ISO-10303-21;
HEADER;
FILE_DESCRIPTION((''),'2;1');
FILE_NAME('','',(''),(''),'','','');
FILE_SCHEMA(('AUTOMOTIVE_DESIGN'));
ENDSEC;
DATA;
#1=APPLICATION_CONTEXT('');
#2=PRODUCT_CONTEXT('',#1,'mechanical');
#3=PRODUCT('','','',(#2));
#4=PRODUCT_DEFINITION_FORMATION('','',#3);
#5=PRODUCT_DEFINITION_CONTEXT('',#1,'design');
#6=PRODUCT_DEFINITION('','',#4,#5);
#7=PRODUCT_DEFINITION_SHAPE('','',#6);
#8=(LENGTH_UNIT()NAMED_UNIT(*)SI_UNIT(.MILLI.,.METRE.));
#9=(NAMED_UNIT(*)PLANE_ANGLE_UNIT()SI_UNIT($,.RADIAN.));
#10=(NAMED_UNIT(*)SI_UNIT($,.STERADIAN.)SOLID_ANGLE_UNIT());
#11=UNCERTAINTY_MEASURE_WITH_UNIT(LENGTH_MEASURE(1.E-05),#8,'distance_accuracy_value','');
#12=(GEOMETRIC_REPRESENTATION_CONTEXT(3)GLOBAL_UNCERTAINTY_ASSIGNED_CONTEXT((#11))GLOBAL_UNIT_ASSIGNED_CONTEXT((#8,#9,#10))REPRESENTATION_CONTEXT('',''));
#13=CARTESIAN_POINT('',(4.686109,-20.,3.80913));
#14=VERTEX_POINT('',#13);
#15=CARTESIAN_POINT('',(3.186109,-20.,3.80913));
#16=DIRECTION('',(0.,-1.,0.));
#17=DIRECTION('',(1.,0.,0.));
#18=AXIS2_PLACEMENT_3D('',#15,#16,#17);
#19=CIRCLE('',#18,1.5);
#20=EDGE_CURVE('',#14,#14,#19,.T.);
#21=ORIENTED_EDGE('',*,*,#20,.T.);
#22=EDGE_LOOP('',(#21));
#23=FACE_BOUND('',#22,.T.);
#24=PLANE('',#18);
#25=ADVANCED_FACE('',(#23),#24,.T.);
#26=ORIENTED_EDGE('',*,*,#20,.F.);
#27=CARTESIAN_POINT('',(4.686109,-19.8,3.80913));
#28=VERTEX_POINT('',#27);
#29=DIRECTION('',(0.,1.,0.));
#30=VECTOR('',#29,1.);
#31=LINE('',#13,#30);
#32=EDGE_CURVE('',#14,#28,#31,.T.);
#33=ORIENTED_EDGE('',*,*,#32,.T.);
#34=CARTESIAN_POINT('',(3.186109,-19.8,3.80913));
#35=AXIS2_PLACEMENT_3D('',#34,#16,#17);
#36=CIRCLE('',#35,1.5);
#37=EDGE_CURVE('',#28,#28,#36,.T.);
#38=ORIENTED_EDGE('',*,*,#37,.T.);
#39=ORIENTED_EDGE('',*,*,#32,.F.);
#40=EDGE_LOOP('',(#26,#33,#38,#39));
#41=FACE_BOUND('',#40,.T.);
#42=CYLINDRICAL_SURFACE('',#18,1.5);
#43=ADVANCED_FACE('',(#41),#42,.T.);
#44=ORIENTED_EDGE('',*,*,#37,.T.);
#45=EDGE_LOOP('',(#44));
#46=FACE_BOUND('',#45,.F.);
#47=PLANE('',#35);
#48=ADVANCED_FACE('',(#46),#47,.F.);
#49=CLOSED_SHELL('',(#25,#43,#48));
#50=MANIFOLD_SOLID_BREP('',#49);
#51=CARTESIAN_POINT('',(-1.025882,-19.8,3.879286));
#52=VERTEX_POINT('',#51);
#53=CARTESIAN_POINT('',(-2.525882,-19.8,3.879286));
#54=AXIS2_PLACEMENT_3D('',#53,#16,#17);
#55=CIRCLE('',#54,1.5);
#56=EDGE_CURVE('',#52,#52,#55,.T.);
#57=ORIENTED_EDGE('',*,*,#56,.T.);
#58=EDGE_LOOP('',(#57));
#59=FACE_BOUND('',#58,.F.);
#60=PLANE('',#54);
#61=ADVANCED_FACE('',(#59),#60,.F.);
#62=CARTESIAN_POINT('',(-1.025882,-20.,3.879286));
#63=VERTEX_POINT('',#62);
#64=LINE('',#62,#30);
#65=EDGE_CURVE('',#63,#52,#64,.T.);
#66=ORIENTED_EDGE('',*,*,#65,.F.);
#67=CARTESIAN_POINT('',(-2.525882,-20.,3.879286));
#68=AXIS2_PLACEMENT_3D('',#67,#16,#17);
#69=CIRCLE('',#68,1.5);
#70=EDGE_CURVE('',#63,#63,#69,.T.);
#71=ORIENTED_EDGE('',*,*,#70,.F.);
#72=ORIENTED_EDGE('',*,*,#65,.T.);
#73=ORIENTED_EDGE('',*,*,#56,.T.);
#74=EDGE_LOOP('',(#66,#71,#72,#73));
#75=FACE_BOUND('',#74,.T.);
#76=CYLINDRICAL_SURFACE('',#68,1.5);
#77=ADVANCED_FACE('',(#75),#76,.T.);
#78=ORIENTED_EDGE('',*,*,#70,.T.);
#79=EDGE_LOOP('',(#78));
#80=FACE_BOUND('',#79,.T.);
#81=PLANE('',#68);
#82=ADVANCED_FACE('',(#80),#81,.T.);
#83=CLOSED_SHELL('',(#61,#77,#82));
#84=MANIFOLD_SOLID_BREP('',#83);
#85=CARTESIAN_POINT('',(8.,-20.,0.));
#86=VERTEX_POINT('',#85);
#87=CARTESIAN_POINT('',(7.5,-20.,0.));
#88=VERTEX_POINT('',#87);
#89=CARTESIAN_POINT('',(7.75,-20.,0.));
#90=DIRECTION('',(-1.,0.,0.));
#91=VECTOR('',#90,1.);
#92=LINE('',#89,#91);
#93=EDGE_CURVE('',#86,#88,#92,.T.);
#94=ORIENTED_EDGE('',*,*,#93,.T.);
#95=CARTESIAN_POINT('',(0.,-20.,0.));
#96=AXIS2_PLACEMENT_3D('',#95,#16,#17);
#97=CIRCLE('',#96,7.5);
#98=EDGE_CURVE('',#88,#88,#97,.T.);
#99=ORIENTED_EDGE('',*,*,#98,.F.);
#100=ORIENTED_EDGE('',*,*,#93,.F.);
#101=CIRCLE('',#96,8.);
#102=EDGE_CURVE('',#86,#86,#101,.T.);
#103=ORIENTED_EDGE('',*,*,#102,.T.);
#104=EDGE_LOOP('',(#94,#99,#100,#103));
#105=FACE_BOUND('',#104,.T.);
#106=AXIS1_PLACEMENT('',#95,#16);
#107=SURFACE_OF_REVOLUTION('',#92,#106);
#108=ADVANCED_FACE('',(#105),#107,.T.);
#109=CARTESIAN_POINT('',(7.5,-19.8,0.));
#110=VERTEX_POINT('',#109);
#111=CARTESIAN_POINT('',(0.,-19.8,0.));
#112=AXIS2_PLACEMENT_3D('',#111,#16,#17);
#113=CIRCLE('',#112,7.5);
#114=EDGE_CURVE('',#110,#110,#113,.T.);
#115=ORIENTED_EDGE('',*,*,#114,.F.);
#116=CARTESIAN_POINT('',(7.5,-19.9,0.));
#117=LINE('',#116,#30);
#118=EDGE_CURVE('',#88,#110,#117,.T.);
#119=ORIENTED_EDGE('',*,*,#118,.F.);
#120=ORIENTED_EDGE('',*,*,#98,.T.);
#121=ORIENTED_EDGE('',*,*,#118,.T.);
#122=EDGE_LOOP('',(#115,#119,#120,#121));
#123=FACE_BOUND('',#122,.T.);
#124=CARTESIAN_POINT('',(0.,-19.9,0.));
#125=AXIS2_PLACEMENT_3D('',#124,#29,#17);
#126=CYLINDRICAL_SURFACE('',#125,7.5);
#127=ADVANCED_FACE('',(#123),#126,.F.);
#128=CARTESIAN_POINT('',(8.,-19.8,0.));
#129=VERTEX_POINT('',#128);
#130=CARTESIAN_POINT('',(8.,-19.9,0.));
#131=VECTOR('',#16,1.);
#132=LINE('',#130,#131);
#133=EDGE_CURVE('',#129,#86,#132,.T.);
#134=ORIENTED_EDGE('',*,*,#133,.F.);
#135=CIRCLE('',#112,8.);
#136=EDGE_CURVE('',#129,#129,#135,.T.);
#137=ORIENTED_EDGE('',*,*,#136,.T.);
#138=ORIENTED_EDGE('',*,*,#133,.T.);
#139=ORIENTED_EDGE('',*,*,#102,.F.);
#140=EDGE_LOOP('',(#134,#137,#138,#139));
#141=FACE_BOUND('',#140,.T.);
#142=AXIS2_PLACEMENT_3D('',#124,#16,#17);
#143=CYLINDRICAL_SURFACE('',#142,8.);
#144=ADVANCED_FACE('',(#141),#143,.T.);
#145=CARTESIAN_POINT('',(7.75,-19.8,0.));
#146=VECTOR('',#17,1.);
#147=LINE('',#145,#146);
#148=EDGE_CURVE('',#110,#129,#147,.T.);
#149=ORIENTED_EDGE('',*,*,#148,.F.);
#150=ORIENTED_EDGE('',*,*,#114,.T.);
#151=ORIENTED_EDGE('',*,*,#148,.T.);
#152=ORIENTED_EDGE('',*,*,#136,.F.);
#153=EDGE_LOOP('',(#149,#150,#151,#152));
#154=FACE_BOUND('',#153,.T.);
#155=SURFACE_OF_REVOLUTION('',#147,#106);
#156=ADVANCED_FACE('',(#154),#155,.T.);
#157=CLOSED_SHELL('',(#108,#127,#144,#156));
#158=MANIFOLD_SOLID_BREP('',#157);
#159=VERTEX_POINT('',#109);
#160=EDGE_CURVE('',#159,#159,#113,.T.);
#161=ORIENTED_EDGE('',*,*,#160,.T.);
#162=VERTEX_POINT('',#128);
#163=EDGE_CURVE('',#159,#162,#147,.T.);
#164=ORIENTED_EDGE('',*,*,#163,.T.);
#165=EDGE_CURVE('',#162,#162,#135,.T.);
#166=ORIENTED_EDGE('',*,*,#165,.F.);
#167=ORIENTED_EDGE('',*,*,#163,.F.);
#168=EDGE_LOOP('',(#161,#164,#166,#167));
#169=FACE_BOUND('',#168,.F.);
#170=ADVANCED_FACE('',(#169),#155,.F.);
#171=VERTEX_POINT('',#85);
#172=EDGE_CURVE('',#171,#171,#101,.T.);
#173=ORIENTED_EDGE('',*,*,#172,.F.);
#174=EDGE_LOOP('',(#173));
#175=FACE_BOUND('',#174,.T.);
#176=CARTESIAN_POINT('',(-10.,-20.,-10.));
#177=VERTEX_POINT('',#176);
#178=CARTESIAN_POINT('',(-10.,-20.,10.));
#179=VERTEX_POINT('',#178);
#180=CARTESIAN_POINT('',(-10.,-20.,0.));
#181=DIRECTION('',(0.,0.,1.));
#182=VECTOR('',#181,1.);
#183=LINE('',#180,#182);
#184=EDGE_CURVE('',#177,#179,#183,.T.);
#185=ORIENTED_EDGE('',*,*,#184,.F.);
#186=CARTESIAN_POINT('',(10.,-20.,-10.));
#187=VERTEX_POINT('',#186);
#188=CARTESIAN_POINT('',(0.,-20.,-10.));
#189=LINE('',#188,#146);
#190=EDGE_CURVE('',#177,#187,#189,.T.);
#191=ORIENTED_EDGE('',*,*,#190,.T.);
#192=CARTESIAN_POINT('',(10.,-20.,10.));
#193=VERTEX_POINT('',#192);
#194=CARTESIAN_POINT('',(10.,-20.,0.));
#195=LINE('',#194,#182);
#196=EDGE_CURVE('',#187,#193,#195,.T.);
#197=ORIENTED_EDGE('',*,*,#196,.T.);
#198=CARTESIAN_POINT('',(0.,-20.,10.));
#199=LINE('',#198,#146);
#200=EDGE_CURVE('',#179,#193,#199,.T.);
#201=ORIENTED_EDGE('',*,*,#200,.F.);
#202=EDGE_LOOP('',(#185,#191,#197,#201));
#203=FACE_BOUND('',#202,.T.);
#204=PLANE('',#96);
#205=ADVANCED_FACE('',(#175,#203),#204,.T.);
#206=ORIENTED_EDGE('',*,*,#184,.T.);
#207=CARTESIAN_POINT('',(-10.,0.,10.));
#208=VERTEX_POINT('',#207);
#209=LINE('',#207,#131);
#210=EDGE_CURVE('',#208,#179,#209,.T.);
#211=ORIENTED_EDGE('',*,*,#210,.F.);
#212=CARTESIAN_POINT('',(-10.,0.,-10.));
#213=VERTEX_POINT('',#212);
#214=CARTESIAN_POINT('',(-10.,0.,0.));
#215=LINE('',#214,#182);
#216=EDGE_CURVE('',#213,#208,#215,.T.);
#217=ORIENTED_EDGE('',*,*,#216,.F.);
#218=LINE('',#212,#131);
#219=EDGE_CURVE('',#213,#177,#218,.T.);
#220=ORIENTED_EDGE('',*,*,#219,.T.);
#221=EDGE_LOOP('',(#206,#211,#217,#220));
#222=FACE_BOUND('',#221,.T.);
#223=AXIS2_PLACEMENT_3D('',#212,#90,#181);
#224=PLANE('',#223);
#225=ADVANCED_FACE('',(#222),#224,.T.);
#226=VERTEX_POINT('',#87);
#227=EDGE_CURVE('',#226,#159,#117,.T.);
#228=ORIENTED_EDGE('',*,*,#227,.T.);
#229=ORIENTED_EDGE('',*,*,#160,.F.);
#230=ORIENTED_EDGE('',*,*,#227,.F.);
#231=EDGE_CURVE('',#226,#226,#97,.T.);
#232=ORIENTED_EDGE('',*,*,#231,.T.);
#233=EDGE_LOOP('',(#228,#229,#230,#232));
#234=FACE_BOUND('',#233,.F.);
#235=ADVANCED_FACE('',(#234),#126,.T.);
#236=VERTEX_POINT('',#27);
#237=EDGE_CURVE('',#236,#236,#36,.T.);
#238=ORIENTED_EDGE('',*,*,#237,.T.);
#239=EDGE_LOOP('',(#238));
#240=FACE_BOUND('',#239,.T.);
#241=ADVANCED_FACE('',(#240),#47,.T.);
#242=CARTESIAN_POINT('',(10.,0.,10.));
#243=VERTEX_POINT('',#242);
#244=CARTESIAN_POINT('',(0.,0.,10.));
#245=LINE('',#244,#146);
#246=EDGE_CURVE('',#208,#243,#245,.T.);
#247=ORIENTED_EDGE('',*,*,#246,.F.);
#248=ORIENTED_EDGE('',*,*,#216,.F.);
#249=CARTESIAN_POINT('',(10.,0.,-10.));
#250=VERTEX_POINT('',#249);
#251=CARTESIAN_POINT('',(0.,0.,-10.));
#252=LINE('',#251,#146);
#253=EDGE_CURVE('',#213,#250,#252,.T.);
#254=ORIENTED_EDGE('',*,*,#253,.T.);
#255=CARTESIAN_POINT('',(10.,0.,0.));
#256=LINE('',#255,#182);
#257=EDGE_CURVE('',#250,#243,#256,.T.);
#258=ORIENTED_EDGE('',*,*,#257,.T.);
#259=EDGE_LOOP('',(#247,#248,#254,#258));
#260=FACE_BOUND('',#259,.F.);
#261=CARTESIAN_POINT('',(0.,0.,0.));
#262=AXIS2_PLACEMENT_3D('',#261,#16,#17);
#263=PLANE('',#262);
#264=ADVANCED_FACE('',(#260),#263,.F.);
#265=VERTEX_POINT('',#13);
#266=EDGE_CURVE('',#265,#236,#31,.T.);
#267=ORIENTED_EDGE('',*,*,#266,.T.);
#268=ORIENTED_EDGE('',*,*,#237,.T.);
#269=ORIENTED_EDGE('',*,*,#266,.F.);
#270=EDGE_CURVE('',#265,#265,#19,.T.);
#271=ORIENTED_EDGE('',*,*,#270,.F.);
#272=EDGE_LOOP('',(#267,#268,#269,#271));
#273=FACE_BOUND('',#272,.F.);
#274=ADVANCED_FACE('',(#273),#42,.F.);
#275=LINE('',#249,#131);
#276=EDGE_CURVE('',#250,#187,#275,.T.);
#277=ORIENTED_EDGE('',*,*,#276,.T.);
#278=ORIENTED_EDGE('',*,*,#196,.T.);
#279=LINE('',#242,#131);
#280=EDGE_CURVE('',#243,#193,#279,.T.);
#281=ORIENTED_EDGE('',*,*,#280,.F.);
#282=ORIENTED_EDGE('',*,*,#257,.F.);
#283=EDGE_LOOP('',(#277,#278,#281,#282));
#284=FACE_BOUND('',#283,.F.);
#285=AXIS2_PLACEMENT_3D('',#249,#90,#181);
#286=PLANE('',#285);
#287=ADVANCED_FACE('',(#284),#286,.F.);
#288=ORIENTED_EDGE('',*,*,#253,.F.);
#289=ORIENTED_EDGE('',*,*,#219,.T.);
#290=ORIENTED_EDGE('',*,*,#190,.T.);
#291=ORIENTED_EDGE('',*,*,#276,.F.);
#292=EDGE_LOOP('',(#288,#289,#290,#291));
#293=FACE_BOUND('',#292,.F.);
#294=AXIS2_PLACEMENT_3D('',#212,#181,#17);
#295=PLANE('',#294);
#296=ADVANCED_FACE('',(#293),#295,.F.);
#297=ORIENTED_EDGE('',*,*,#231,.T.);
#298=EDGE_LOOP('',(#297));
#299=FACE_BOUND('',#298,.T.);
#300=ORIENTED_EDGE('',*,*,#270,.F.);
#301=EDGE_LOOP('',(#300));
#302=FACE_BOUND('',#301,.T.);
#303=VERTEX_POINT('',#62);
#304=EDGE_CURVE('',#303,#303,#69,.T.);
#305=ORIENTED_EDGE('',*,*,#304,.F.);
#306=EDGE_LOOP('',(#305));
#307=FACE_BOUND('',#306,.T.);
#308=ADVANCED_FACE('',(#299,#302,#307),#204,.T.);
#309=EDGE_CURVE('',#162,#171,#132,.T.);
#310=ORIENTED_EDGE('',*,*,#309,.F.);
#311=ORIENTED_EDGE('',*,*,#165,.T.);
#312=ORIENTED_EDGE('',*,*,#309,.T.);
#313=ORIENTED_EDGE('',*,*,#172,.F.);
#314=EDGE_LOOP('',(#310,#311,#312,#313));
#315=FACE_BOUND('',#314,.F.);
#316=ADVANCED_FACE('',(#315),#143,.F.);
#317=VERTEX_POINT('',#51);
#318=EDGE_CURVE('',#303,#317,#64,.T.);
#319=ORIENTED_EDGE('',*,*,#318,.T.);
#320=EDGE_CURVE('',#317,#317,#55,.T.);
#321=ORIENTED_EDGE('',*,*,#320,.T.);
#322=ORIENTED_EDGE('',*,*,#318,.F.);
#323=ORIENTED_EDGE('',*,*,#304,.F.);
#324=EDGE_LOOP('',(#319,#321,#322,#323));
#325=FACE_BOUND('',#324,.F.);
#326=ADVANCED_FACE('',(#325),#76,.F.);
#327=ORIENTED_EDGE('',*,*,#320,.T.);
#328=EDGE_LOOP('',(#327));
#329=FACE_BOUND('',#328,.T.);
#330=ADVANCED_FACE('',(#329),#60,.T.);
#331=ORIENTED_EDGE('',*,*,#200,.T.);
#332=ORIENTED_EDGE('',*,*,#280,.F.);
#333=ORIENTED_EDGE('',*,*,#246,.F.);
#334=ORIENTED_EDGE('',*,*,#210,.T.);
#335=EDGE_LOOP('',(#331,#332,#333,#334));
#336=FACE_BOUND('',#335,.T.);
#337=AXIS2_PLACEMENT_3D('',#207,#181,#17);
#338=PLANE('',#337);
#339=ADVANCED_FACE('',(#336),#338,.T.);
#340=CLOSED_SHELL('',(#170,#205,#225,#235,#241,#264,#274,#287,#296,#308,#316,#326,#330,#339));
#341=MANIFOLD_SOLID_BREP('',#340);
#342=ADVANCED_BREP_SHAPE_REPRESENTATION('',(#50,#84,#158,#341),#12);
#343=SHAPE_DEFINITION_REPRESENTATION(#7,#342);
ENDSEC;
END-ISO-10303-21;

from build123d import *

# Parameters (mm, degrees)
F0_W     = 20
F0_H     = 20
F1_DEPTH = 20
F4_W     = 0.5
F4_H     = 0.2
F7_R     = 1.5
F8_DEPTH = 0.2
F9_DEPTH = 0.2


with BuildPart() as f1:
    # F0 (on Front) → F1 (new body)
    with BuildSketch(Plane.XZ):
        Rectangle(F0_W, F0_H)
    extrude(amount=F1_DEPTH)

    # F6: sweep along a path in F2
    with BuildLine(Plane.XZ.offset(20)) as f6_path:
        CenterArc((0, 0), 8, 0, 360)
    # F4 (on 3pt) → F6 (sweep, cut)
    with BuildSketch(Plane(origin=(0, 0, 0), x_dir=(1, 0, 0), z_dir=(0, 0, -1))):
        with Locations((7.75, 19.9)):
            Rectangle(F4_W, F4_H)
    sweep(path=f6_path.line, mode=Mode.SUBTRACT)

    # F7 (on face) → F8 (cut)
    with BuildSketch(Plane.XZ.offset(20)):
        with Locations((3.1861089783, 3.8091301957)):
            Circle(F7_R)
        with Locations((-2.5258816751, 3.8792855246)):
            Circle(F7_R)
    extrude(amount=-F8_DEPTH, mode=Mode.SUBTRACT)


with BuildPart() as f5:
    # F5: sweep along a path in F2
    with BuildLine(Plane.XZ.offset(20)) as f5_path:
        CenterArc((0, 0), 8, 0, 360)
    # F4 (on 3pt) → F5 (sweep)
    with BuildSketch(Plane(origin=(0, 0, 0), x_dir=(1, 0, 0), z_dir=(0, 0, -1))):
        with Locations((7.75, 19.9)):
            Rectangle(F4_W, F4_H)
    sweep(path=f5_path.line)


with BuildPart() as f9:
    # F7 (on face) → F9 (new body)
    with BuildSketch(Plane.XZ.offset(20)):
        with Locations((-2.5258816751, 3.8792855246)):
            Circle(F7_R)
    extrude(amount=-F9_DEPTH)


with BuildPart() as f9b:
    # F7 (on face) → F9, piece 2 (new body)
    with BuildSketch(Plane.XZ.offset(20)):
        with Locations((3.1861089783, 3.8091301957)):
            Circle(F7_R)
    extrude(amount=-F9_DEPTH)


solid = Compound([f1.part, f5.part, f9.part, f9b.part])
